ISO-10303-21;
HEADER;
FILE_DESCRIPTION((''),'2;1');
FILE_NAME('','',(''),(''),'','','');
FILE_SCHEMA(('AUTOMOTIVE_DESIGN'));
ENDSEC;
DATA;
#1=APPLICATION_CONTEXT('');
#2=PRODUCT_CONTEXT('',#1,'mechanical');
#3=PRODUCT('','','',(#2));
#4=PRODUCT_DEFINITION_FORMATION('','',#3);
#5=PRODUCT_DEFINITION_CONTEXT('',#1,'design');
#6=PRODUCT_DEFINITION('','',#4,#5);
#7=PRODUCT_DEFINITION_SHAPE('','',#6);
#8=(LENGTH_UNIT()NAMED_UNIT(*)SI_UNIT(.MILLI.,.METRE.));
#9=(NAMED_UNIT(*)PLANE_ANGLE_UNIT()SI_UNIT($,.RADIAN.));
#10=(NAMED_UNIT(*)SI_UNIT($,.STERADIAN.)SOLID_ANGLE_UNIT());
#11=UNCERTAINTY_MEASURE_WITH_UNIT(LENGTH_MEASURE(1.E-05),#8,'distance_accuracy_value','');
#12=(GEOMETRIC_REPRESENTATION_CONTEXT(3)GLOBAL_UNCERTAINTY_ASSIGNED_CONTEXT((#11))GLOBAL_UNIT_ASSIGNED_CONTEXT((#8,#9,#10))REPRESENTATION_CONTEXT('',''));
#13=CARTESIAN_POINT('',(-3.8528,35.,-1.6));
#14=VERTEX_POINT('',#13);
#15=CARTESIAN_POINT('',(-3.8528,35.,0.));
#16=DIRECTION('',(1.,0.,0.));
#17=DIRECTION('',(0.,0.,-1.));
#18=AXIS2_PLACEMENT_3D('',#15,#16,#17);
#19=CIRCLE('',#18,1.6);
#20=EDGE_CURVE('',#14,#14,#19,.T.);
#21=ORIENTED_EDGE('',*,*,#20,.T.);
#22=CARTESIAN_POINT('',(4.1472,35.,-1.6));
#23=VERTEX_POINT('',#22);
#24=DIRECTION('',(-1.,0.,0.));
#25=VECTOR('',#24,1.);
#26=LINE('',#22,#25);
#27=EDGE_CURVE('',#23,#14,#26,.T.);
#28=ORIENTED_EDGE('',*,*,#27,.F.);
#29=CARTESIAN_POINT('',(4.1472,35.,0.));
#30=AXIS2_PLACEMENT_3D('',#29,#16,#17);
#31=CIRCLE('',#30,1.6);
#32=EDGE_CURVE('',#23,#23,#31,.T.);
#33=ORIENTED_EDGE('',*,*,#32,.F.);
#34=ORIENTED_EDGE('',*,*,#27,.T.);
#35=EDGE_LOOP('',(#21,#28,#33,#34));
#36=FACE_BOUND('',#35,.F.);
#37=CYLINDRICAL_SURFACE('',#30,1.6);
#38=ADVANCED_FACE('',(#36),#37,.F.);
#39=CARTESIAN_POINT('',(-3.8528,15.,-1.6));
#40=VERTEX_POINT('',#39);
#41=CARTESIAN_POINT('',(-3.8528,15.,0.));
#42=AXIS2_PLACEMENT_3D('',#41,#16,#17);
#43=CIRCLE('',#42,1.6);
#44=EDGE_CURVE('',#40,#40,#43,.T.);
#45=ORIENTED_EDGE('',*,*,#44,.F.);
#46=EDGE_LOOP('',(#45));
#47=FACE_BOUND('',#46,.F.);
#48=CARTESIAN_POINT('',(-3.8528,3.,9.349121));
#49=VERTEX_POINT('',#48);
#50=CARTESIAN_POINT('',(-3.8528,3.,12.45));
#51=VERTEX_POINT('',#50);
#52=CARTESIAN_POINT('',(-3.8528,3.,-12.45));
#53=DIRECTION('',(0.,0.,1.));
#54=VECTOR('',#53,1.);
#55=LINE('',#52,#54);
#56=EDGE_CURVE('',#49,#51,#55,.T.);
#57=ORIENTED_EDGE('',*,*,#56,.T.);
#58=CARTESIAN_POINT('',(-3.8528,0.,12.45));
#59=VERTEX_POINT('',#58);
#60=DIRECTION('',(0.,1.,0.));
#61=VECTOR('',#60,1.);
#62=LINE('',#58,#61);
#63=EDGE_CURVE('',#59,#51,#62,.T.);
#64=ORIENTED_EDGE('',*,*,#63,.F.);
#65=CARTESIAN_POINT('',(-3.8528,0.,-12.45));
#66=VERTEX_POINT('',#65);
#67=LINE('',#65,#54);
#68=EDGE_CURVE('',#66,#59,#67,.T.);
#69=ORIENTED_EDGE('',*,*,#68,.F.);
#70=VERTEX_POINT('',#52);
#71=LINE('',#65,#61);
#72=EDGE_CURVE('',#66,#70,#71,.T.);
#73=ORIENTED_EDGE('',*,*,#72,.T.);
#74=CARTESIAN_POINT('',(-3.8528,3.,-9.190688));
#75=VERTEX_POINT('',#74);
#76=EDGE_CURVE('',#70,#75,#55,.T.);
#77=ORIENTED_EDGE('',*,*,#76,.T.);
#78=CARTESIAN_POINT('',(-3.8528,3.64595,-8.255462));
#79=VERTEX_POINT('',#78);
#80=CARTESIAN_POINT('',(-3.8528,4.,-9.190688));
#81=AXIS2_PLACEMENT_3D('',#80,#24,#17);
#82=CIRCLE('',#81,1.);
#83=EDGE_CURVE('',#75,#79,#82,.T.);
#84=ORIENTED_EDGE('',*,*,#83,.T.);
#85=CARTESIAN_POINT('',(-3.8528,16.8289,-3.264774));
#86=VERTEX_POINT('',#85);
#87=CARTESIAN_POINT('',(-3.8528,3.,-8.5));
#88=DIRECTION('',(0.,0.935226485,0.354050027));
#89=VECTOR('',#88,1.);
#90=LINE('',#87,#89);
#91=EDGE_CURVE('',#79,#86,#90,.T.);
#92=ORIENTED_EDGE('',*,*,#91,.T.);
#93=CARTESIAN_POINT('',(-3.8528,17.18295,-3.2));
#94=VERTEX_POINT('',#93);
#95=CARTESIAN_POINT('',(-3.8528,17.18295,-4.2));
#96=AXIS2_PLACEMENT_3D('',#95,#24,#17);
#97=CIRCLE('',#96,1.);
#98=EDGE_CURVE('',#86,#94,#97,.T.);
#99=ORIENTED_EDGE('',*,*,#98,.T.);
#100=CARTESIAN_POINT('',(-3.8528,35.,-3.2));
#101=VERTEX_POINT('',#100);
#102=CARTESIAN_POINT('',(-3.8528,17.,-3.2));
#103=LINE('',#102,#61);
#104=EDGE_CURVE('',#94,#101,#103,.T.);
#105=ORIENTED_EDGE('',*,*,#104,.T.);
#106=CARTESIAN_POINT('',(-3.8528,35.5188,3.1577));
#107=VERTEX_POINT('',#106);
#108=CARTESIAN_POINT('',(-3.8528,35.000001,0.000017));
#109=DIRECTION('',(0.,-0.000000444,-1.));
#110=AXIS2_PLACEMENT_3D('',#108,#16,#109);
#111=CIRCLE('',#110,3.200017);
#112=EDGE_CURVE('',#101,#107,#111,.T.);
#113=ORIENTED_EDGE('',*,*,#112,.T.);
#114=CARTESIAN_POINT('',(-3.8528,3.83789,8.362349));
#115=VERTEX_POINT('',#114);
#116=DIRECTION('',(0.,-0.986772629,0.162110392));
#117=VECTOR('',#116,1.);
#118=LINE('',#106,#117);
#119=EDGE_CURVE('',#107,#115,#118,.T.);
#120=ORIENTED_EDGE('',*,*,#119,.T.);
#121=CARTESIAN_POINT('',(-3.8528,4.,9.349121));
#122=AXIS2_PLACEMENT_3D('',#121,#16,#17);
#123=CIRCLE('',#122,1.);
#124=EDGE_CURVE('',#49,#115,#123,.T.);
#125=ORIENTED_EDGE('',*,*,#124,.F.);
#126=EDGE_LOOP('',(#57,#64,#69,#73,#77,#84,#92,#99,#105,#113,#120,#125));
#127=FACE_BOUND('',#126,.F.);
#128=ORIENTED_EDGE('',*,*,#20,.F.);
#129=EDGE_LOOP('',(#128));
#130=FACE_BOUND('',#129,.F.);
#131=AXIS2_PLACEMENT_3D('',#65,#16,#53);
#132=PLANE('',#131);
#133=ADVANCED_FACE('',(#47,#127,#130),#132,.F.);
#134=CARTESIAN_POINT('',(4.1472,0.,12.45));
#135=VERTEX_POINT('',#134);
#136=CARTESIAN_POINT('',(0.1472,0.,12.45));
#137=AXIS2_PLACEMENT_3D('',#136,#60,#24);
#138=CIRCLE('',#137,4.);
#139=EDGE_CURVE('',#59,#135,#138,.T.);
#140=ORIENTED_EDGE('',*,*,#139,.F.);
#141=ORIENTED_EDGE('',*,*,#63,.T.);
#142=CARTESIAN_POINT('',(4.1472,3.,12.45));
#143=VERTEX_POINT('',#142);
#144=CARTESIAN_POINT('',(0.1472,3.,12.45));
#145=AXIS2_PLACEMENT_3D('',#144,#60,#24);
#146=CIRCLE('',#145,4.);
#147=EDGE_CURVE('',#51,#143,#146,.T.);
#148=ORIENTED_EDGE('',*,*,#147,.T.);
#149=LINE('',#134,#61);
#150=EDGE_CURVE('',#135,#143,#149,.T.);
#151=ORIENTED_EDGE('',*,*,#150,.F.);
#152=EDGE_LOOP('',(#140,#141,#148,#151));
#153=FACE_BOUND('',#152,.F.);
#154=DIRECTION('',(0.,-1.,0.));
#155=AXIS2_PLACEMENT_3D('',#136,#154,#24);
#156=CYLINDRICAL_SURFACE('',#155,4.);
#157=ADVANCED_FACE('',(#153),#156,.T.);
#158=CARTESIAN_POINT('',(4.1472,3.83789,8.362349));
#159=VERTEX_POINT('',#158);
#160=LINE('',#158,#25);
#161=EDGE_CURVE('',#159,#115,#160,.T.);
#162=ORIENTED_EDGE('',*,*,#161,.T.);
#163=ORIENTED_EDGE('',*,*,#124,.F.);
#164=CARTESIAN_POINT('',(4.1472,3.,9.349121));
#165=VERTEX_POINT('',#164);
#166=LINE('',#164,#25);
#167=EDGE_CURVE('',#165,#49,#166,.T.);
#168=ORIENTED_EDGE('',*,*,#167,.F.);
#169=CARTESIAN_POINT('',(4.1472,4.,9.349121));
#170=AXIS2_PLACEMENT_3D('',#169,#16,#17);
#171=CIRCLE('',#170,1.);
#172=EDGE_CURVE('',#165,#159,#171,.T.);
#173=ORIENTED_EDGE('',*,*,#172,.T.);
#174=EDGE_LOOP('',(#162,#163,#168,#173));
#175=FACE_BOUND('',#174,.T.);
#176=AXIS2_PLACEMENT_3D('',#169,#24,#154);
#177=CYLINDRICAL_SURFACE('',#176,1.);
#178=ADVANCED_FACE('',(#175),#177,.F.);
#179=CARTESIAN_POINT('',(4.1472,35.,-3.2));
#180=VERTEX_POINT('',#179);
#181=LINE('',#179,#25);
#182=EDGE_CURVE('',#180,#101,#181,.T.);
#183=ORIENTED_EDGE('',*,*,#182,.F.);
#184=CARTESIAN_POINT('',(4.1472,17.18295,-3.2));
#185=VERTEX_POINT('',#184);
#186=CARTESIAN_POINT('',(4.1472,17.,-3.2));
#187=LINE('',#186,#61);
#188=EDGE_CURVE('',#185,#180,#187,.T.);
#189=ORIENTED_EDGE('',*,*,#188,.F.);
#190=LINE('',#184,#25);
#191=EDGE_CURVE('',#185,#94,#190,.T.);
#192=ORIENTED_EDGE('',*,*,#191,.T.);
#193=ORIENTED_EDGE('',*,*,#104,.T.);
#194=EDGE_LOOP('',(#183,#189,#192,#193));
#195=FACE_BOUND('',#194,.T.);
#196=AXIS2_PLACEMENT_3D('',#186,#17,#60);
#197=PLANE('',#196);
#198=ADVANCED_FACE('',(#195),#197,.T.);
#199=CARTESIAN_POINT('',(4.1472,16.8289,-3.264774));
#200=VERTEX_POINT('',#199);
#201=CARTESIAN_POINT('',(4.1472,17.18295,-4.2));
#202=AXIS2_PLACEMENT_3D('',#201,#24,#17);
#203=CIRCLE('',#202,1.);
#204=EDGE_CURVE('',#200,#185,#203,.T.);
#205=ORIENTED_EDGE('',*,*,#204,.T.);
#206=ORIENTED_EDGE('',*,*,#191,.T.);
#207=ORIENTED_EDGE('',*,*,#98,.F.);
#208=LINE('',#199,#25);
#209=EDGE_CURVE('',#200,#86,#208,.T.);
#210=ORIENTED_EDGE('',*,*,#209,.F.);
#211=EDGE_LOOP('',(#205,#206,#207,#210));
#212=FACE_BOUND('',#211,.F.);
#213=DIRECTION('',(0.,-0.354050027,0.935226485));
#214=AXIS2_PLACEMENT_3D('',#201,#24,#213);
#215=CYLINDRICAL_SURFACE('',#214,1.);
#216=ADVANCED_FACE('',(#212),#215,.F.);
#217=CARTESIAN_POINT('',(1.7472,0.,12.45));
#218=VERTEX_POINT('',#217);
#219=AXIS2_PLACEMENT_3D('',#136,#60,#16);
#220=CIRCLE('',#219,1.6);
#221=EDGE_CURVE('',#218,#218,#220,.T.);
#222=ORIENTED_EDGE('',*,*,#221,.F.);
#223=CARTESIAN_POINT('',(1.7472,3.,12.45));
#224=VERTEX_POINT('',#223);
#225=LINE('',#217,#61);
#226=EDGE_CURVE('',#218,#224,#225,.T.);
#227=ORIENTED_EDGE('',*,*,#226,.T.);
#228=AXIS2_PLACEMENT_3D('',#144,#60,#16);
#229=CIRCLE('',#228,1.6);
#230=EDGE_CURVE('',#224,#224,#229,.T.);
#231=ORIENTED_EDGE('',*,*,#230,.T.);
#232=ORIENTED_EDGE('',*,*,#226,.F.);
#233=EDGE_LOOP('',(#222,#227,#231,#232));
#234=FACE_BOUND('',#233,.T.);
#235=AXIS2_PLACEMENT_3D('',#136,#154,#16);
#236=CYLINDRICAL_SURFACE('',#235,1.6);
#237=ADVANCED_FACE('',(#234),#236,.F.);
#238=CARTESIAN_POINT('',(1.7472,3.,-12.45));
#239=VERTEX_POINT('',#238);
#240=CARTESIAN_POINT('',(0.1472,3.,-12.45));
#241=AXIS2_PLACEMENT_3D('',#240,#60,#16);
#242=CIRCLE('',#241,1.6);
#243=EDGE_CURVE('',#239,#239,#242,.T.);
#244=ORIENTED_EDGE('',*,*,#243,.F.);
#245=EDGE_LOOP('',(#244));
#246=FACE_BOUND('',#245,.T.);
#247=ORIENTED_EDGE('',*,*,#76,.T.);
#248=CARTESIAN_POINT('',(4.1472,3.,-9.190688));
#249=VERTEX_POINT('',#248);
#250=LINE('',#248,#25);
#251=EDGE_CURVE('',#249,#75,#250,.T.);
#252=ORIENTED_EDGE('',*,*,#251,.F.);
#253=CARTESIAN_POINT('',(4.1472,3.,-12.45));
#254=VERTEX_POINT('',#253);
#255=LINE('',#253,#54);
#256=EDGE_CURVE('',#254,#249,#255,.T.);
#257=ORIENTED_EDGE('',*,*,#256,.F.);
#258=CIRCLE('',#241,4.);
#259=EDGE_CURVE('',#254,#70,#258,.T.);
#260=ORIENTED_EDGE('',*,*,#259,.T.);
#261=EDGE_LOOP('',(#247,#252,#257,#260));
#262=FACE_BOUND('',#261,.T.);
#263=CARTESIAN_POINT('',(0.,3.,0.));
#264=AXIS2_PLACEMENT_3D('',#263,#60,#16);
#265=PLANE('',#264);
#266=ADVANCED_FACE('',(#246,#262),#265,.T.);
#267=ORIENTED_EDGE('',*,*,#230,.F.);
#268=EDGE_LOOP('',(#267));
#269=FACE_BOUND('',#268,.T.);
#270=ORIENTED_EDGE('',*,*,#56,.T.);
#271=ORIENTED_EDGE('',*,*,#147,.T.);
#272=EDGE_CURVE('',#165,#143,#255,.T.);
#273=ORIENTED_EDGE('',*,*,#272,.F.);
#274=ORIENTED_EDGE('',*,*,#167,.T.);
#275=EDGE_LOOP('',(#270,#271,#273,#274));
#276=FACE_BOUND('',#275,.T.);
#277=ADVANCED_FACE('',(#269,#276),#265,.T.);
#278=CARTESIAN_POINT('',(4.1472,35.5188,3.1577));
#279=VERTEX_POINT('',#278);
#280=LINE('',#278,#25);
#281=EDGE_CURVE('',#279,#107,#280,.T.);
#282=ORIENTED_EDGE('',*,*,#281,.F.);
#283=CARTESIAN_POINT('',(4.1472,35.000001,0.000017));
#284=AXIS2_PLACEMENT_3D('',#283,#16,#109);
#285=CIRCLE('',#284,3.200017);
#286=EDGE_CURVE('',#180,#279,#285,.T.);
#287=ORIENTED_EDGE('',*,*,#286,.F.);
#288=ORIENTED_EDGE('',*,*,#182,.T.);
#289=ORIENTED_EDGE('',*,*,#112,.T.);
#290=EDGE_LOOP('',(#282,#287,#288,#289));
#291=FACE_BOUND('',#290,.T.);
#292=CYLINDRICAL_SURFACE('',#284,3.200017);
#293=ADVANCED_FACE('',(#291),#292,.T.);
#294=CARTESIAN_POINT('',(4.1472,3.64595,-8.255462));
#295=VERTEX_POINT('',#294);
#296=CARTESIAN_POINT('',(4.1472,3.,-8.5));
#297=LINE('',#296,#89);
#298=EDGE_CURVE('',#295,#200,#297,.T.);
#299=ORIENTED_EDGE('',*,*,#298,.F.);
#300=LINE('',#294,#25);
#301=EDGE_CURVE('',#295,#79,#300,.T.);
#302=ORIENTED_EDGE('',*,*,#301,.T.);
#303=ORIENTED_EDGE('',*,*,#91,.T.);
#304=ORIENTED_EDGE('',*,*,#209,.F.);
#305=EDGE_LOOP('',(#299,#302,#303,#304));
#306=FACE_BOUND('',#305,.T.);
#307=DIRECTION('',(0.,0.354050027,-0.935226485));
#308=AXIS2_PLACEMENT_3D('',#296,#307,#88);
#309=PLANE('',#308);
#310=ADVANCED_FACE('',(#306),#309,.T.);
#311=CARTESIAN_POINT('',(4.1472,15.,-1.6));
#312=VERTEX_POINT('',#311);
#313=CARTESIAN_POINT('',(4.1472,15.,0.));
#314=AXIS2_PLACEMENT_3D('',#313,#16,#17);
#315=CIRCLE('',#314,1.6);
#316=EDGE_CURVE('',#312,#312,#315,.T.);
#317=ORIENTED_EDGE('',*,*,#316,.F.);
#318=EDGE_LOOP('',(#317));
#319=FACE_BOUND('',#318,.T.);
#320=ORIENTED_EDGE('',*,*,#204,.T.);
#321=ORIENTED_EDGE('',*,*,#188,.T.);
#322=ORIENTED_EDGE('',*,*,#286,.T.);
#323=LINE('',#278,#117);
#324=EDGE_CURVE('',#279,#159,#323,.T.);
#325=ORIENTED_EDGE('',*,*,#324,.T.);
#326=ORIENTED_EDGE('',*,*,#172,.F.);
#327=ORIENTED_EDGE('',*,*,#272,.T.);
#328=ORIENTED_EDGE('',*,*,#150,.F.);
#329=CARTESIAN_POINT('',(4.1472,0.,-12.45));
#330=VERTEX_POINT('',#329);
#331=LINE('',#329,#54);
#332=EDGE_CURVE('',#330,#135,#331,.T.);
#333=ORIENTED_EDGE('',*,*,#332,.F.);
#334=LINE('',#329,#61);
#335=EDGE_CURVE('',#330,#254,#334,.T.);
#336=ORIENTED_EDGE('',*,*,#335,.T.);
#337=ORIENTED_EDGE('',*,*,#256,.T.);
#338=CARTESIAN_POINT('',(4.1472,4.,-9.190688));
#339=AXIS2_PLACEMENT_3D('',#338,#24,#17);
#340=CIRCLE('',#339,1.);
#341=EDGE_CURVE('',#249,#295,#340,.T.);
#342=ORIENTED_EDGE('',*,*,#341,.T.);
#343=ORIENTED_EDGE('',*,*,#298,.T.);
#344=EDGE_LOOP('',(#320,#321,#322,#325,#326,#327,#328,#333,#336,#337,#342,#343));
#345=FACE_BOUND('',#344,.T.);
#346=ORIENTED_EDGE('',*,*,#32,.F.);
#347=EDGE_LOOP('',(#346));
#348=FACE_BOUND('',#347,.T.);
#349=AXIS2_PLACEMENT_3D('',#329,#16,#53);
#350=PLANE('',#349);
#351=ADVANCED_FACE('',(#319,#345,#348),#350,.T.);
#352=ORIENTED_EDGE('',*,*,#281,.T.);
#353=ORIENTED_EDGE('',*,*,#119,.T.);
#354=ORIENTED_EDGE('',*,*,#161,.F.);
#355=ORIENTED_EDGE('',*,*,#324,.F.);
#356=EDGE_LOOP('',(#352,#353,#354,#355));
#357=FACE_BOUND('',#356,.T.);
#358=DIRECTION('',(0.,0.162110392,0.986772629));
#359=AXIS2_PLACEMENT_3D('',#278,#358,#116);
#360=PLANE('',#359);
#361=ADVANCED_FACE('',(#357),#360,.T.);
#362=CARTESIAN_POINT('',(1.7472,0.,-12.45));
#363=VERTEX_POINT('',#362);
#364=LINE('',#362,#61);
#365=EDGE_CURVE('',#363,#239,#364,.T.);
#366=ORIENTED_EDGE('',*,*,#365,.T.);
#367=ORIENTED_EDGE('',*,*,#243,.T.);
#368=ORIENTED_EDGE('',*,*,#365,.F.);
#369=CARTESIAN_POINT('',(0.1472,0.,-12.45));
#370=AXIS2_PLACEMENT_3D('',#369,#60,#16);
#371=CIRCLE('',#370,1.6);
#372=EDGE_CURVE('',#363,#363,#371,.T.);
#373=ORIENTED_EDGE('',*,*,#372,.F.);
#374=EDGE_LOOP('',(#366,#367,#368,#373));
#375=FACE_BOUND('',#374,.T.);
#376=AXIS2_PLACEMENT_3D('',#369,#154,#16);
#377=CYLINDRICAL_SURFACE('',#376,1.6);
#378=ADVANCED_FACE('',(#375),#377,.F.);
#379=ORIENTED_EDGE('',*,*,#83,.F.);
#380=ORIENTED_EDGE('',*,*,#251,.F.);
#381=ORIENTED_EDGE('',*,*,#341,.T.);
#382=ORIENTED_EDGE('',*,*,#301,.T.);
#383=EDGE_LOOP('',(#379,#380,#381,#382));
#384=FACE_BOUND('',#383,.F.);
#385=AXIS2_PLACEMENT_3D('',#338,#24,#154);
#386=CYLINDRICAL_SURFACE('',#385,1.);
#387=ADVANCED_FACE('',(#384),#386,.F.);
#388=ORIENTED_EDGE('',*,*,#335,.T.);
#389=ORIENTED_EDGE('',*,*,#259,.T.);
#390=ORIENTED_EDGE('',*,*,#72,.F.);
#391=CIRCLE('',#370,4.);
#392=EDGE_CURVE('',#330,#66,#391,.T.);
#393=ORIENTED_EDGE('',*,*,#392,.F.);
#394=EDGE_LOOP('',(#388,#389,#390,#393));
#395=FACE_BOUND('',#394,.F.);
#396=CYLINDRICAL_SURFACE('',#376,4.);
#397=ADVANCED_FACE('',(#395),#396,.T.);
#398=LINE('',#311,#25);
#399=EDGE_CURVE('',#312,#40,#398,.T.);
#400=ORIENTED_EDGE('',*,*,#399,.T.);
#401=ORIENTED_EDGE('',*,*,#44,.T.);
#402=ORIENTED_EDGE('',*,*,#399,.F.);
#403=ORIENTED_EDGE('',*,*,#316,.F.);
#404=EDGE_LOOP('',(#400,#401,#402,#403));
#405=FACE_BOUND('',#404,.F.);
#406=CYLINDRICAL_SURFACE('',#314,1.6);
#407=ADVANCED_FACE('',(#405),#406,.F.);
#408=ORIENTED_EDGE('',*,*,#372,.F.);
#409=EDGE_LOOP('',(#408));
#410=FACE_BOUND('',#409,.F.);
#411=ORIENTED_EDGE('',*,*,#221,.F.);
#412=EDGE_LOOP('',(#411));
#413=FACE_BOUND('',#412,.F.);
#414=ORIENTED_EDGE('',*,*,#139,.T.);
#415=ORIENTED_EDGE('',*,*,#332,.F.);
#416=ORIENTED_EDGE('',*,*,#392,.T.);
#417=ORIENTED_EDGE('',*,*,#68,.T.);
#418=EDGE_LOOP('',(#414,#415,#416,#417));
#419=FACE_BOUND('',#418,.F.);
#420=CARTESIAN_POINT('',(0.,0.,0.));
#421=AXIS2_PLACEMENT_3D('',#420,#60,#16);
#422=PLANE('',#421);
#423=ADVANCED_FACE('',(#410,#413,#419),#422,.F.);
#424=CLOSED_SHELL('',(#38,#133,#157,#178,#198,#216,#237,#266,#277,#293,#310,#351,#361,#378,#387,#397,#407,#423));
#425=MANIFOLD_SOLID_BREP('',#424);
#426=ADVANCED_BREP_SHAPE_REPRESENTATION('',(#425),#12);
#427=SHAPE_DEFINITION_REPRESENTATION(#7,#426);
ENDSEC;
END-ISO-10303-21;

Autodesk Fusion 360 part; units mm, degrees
sketch "Skizze1" plane through (0, 0, 0) normal (0, 1, 0) x (1, 0, 0)
  circle A0 centre (0.1472, 12.45) radius 1.6
  circle A1 centre (0.1472, -12.45) radius 1.6
  line L0 (0, 0) -> (50, 0) construction
  line L1 (4.1472, 12.45) -> (4.1472, -12.45)
  line L2 (-3.8528, 12.45) -> (-3.8528, -12.45)
  arc A2 (4.1472, 12.45) -> (-3.8528, 12.45) centre (0.1472, 12.45) ccw
  arc A3 (-3.8528, -12.45) -> (4.1472, -12.45) centre (0.1472, -12.45) ccw
  dimension "d1" = 24.9
  dimension "d2" = 3.2
  dimension "d3" = 8
extrude "Extrusion1" add sketch "Skizze1" along normal blind 3
sketch "Skizze2" plane through (4.1472, 0, 0) normal (1, 0, 0) x (0, 0, -1)
  line L0 (-12.45, 0) -> (12.45, 0)
  line L1 (12.45, 0) -> (12.45, 3)
  line L2 (12.45, 3) -> (-12.45, 3)
  line L3 (-12.45, 3) -> (-12.45, 0)
  arc A0 (3.2, 35) -> (-3.1577, 35.5188) centre (0, 35) ccw
  line L4 (0, 0) -> (0, 43) construction
  circle A1 centre (0, 35) radius 1.6
  circle A2 centre (0, 15) radius 1.6
  line L5 (0, 25) -> (20, 25) construction
  line L6 (8.5, 3) -> (3.2, 17)
  line L7 (3.2, 17) -> (3.2, 35)
  line L8 (-3.1577, 35.5188) -> (-8.5, 3)
  dimension "d7" = 25
  dimension "d8" = 3.2
  dimension "d9" = 20
  dimension "d10" = 3.2
  dimension "d17" = 8.5
  dimension "d18" = 14
  dimension "d19" = 8.5
extrude "Extrusion2" add sketch "Skizze2" against normal blind 8 contours L2 A0 L6 L7 L8
fillet "Abrundung3" radius 1 3 edges at (0.1472, 17, -3.2) (0.1472, 3, -8.5) (0.1472, 3, 8.5)
